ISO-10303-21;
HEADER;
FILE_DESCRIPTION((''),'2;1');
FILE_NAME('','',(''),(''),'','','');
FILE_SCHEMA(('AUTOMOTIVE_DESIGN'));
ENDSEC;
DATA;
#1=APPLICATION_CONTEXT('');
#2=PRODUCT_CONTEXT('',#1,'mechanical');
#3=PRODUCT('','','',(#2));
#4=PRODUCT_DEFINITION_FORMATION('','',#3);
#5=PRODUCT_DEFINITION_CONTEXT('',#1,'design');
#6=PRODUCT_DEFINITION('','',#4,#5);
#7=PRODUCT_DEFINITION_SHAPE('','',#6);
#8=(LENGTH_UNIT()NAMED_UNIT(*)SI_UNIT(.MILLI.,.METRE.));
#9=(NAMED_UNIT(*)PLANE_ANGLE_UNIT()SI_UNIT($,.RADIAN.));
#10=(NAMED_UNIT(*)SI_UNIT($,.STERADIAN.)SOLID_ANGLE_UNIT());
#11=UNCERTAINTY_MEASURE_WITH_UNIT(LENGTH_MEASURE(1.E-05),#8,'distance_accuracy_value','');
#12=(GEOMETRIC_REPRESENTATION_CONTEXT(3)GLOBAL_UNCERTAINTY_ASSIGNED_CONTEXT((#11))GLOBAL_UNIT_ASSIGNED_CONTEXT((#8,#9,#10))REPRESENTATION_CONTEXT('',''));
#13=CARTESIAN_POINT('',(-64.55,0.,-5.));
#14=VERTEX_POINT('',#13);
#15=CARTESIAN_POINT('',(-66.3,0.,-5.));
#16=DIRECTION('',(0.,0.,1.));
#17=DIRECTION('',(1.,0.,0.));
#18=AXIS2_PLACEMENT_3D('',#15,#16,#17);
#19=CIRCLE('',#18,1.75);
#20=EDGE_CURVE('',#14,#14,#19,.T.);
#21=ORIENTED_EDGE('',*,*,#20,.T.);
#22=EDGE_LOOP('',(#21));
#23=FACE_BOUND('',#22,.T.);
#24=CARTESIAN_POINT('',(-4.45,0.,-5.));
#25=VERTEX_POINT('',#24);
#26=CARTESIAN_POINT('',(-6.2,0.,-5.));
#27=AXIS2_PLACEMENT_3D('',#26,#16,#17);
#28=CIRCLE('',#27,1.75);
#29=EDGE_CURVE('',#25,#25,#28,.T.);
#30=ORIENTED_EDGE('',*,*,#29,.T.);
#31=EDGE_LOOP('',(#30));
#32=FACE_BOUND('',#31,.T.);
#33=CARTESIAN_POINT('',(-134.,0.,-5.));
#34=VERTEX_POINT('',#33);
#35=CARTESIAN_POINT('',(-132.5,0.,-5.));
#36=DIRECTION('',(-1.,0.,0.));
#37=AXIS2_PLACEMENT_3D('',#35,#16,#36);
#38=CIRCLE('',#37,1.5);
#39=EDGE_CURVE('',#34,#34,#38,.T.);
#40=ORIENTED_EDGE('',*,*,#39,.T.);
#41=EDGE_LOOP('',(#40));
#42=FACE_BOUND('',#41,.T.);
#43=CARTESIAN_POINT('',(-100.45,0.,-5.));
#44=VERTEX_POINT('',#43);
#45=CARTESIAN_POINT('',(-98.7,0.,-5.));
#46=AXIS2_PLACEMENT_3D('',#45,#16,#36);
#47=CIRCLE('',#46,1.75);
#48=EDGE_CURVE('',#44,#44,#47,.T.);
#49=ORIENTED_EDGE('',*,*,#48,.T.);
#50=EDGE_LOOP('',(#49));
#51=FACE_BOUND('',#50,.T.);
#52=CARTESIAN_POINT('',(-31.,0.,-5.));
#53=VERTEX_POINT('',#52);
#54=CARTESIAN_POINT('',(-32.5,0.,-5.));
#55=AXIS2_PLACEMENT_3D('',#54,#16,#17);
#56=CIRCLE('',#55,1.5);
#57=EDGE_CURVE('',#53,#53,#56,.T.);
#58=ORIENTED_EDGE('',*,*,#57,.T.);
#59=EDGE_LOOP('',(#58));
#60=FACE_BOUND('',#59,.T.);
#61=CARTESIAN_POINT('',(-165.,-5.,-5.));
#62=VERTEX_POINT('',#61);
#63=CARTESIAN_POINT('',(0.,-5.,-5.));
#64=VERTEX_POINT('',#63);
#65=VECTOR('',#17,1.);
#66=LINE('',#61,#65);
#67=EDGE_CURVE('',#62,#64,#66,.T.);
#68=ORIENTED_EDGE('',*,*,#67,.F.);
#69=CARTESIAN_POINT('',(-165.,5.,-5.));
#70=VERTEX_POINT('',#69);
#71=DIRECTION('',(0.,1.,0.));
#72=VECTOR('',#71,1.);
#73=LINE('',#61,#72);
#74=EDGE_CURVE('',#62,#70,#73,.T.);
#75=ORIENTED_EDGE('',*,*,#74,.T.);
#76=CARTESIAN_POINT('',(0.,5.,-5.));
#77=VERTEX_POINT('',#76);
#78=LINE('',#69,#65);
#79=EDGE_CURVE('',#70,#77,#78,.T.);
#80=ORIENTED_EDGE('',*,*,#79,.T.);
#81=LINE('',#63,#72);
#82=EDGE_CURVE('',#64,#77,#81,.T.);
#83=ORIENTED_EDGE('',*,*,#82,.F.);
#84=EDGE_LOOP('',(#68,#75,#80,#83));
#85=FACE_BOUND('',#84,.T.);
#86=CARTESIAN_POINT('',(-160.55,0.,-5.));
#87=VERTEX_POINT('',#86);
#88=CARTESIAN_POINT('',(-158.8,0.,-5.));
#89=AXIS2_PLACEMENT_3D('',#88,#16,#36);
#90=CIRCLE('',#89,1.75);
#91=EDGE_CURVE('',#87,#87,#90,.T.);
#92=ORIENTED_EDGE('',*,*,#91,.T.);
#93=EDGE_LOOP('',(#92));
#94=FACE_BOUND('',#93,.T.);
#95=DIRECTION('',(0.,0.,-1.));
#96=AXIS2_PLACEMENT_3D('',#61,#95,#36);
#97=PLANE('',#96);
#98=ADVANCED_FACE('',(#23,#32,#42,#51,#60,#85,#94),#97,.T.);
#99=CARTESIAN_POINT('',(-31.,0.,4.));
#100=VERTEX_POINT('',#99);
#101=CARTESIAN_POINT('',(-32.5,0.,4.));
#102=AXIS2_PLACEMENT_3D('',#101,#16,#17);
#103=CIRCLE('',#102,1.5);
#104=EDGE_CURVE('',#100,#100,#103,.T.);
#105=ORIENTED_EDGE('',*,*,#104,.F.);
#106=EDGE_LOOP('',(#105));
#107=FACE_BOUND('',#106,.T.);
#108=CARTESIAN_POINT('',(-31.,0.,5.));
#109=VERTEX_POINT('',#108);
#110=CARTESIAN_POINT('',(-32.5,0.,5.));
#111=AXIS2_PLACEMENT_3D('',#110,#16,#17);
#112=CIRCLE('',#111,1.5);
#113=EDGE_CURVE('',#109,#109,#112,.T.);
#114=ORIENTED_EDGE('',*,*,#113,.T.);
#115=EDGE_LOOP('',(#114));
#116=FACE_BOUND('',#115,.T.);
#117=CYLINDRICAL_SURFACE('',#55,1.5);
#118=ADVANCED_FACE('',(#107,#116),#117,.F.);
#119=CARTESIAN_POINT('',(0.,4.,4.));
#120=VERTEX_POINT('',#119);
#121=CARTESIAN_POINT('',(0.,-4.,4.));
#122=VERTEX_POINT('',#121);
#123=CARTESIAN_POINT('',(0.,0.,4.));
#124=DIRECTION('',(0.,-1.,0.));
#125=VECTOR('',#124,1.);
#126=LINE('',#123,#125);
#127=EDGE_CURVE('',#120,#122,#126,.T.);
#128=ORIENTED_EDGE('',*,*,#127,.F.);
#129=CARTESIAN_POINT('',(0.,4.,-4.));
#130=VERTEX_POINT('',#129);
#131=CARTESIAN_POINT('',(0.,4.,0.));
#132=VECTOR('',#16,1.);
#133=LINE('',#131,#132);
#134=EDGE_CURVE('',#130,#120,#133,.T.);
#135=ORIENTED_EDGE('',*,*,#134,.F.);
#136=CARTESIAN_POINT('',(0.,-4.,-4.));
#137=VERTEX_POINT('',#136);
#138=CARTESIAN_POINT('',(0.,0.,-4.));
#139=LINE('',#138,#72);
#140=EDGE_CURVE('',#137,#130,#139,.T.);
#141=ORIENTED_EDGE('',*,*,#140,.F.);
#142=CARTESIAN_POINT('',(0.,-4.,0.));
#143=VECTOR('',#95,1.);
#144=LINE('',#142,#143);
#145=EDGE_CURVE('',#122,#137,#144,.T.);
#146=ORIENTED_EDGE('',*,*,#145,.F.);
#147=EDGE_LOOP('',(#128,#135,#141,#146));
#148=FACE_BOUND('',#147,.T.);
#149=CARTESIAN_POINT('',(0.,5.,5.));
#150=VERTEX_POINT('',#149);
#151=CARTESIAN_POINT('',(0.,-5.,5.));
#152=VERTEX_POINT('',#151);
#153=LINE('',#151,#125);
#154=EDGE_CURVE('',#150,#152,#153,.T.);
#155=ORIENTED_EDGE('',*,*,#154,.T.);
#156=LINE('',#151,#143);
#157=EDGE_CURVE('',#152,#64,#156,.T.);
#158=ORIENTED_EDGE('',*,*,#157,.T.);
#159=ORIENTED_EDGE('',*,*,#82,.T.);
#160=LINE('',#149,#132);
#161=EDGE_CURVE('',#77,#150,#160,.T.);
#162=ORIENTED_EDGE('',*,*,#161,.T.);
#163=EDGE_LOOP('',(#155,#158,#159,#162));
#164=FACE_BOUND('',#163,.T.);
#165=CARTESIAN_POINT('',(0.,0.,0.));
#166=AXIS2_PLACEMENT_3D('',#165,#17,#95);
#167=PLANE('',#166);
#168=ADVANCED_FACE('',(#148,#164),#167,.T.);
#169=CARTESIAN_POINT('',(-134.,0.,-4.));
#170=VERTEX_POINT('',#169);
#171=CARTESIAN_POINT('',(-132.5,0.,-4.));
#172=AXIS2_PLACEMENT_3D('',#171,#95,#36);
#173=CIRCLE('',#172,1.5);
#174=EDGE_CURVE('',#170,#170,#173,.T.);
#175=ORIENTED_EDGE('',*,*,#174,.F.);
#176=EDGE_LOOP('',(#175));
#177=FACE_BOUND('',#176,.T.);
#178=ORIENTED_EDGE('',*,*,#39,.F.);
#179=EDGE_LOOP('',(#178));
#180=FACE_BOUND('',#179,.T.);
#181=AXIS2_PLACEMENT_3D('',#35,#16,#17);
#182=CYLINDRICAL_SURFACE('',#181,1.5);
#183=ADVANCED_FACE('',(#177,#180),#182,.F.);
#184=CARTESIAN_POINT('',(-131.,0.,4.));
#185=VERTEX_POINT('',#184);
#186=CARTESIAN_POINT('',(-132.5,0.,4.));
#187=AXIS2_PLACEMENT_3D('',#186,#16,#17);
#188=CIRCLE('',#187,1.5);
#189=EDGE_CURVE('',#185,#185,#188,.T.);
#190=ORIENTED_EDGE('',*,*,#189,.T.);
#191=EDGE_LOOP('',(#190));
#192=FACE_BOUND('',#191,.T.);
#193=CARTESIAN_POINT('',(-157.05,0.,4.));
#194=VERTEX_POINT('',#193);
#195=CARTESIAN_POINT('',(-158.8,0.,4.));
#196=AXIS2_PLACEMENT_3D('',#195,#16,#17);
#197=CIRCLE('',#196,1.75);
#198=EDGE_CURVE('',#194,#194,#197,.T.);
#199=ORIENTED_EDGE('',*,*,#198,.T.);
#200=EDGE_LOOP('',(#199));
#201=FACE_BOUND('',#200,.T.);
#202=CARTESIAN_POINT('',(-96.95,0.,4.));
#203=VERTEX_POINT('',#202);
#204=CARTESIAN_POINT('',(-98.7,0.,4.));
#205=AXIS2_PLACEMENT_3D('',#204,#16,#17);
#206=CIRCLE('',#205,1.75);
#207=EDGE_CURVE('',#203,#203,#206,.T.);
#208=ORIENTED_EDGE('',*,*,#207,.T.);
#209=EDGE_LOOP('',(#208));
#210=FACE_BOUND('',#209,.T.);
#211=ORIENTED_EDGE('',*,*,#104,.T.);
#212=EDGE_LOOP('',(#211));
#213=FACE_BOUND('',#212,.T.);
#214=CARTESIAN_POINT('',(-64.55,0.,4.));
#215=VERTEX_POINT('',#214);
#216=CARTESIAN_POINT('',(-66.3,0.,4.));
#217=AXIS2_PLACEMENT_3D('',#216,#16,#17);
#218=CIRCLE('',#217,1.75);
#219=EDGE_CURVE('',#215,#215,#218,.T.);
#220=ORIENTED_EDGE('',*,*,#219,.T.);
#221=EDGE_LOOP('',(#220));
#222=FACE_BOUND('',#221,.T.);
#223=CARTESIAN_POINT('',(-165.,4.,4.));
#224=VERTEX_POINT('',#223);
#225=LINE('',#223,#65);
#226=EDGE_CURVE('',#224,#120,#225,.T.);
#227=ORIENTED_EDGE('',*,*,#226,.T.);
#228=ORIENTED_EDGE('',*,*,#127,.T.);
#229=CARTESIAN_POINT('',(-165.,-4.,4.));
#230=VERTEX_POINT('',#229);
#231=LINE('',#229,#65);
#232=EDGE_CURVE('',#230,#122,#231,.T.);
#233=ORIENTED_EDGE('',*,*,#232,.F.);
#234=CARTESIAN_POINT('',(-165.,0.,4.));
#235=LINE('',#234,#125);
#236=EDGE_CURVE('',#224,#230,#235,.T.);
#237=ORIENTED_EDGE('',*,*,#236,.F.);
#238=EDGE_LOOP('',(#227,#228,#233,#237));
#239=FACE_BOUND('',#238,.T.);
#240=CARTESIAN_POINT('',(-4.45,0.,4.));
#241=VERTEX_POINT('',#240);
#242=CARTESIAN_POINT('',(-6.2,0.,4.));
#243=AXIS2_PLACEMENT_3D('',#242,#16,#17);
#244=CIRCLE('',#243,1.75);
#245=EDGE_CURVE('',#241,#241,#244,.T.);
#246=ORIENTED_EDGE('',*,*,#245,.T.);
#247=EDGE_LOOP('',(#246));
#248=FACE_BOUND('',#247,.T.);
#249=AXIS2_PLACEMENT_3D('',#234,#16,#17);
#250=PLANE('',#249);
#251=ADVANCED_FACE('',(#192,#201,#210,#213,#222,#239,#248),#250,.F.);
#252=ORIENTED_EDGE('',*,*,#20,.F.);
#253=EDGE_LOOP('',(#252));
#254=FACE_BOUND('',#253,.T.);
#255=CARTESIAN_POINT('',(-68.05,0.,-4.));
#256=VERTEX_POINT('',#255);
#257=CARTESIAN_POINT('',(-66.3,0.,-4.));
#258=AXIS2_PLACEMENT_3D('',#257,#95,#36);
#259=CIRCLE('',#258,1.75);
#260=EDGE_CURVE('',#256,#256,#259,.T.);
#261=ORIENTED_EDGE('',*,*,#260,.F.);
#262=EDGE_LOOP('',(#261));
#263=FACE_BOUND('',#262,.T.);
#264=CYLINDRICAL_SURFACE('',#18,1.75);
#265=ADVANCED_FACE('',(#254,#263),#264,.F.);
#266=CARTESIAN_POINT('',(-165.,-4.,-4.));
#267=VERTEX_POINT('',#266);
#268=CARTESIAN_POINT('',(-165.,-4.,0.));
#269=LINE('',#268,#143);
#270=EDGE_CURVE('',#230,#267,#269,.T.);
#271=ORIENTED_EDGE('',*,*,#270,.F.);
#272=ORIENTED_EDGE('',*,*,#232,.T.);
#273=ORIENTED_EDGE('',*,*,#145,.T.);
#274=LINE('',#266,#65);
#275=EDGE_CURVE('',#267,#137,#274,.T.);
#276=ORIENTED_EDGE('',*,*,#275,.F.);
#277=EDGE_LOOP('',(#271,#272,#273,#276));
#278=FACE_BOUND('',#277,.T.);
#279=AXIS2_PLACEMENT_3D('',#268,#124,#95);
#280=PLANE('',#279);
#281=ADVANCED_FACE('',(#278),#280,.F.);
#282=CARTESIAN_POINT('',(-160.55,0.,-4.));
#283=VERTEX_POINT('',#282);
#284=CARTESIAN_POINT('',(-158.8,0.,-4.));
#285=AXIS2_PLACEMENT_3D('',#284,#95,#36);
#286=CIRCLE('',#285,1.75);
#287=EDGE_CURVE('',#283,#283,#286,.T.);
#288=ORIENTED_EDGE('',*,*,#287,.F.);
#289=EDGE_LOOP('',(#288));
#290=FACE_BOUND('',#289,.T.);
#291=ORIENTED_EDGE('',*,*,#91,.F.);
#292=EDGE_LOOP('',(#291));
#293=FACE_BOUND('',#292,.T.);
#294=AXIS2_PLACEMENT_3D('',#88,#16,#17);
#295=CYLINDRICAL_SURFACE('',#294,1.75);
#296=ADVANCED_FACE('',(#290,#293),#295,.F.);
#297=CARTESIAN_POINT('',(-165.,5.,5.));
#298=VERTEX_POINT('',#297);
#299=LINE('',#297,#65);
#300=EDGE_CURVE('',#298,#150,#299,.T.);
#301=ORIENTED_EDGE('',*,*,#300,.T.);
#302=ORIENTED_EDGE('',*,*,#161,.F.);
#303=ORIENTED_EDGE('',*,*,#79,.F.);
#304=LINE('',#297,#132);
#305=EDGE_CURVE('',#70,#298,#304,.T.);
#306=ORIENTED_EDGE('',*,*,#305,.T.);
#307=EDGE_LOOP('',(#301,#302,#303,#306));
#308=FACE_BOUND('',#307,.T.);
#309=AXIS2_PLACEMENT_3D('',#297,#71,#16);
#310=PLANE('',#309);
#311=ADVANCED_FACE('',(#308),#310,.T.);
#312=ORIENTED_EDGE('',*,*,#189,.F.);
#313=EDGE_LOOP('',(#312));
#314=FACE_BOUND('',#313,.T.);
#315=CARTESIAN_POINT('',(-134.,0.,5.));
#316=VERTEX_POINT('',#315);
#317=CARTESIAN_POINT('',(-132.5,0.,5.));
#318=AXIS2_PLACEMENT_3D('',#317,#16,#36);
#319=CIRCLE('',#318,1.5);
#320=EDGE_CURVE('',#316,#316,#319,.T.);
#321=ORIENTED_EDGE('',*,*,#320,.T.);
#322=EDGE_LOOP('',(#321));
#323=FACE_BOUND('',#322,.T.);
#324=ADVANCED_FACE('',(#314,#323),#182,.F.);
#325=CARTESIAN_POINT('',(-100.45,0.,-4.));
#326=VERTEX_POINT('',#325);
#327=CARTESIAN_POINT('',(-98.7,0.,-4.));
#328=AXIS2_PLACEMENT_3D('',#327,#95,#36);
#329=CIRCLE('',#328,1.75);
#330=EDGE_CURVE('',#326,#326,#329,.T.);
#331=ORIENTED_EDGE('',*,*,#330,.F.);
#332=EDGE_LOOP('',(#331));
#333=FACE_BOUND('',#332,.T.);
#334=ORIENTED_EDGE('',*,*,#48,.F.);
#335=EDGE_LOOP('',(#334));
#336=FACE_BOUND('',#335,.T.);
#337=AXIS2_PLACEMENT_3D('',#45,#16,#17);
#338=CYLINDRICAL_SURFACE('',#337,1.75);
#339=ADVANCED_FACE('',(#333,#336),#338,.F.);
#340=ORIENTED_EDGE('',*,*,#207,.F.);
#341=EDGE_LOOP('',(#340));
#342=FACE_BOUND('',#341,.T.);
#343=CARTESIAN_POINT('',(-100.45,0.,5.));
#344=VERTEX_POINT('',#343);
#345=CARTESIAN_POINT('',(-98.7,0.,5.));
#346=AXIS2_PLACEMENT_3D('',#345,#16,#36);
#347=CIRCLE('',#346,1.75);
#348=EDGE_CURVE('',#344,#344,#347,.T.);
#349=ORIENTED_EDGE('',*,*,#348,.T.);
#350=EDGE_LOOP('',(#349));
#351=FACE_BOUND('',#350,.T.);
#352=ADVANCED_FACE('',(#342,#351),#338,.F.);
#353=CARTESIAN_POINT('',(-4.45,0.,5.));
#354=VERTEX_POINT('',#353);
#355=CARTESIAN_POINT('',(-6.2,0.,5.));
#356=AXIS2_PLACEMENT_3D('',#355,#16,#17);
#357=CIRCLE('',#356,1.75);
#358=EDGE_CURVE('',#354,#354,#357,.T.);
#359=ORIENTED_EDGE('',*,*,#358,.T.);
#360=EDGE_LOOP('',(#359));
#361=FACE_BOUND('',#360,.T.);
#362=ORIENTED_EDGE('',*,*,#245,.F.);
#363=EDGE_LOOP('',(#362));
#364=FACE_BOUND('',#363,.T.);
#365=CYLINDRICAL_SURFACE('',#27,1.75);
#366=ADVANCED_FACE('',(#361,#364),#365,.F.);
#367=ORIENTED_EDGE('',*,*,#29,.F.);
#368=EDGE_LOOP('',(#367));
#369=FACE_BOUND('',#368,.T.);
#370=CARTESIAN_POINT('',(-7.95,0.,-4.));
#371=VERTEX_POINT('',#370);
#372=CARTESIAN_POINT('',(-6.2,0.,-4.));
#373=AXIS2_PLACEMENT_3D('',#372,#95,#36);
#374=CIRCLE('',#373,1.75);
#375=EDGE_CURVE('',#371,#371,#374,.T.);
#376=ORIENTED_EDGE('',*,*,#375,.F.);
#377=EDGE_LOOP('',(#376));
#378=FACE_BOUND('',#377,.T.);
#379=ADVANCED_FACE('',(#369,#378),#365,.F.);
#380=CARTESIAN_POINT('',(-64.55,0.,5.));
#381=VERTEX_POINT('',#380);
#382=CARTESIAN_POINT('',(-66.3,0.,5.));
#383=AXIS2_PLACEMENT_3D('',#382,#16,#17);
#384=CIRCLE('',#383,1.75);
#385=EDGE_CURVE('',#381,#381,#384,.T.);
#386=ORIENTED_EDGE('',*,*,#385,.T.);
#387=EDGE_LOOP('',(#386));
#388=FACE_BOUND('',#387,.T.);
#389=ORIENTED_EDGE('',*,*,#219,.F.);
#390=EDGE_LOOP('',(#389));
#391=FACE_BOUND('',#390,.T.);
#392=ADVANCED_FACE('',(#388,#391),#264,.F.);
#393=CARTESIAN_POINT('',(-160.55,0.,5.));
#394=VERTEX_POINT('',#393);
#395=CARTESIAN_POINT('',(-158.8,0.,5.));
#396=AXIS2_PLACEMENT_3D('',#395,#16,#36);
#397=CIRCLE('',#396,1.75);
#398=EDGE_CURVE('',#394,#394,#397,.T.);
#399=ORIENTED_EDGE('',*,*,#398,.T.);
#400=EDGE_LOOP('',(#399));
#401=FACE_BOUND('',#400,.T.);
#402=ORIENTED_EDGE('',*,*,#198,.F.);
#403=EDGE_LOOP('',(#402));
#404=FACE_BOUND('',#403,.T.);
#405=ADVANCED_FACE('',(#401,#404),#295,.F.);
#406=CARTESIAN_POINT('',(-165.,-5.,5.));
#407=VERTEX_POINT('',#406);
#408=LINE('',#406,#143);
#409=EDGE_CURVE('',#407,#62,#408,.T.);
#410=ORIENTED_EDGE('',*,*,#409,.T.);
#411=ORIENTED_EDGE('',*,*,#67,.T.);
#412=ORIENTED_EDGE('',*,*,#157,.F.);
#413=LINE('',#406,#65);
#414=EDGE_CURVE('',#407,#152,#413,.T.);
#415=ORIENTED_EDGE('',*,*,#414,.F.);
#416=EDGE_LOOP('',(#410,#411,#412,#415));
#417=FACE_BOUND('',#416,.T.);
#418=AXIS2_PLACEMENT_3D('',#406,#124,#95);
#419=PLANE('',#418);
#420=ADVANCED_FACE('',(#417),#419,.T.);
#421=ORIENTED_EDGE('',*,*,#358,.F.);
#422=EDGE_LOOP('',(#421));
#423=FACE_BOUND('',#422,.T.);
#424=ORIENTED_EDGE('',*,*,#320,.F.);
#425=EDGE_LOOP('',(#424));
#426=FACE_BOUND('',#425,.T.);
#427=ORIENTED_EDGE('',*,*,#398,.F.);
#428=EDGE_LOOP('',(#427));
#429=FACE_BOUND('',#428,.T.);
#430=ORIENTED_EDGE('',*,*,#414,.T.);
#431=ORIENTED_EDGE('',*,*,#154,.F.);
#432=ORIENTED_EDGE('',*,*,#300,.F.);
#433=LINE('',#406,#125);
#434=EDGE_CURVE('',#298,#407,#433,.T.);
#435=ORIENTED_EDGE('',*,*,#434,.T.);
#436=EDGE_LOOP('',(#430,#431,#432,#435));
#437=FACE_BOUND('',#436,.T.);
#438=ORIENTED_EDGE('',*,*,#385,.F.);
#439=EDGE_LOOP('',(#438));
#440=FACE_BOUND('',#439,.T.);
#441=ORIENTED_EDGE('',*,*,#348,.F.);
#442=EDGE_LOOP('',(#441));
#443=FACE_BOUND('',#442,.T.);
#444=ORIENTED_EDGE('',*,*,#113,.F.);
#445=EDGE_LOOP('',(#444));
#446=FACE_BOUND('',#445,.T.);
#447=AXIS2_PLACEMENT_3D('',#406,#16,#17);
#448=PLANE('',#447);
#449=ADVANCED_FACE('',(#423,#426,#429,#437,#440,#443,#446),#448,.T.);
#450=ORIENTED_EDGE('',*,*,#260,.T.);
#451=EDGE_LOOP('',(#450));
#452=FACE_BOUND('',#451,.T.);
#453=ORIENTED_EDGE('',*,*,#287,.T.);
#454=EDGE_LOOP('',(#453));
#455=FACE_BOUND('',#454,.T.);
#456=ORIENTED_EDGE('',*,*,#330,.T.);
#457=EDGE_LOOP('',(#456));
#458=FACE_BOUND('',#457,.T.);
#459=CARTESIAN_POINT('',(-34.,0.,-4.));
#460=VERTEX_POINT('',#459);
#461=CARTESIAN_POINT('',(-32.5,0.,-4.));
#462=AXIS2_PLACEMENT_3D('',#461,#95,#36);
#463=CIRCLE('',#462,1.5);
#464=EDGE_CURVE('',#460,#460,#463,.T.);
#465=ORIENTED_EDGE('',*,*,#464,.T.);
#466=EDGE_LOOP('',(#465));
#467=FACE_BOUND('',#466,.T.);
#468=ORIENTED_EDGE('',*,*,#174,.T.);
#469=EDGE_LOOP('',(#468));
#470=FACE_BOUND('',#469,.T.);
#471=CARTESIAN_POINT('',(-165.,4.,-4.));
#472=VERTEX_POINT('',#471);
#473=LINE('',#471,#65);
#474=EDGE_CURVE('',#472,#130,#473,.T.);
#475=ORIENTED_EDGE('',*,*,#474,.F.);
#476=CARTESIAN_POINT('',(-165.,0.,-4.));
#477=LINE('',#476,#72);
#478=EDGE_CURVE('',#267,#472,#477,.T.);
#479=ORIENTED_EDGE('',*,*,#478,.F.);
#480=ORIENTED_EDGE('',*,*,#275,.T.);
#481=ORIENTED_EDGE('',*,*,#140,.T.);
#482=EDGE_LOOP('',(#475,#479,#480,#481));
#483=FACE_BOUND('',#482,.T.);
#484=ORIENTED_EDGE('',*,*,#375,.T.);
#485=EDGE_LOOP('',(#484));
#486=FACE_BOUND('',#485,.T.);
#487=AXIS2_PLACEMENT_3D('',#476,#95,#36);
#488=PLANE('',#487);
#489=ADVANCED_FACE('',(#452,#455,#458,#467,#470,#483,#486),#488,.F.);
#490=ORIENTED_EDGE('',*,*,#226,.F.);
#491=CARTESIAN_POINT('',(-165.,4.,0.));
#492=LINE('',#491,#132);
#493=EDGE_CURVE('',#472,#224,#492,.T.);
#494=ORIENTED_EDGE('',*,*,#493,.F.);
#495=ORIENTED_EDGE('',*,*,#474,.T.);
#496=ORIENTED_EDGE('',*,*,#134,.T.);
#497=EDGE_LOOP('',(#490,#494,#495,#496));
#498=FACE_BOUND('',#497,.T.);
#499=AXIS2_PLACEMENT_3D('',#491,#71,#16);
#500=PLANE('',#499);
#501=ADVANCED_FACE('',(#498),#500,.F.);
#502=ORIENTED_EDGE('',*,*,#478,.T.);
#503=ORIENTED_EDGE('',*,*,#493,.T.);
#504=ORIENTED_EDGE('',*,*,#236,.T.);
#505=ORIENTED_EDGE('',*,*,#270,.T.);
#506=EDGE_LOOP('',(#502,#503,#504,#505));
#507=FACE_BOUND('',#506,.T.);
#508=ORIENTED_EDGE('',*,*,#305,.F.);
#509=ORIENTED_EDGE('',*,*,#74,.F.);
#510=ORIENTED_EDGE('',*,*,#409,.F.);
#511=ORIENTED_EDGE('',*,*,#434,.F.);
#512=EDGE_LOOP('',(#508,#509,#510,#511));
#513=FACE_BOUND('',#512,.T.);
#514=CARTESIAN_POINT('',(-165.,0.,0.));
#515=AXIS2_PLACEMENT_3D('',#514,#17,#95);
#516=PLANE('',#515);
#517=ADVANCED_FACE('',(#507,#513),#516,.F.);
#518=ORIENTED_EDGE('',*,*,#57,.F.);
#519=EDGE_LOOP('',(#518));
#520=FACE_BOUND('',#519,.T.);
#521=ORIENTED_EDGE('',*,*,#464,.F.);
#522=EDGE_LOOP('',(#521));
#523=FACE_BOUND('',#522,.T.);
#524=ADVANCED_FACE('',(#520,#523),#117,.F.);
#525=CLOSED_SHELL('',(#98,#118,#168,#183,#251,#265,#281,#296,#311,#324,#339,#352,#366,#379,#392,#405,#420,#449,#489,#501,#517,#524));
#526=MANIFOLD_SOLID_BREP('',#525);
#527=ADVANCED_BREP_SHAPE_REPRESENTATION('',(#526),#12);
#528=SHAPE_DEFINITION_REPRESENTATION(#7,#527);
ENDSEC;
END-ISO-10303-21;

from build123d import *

# Parameters (mm, degrees)
SKETCH_2_W          = 10
SKETCH_2_H          = 10
SKETCH_2_W_2        = 8
SKETCH_2_H_2        = 8
EXTRUDE_1_DEPTH     = 165
SKETCH_3_R          = 1.75
SKETCH_3_R_2        = 1.5
CUT_EXTRUDE_1_DEPTH = 11


with BuildPart() as part:
    # 草图2 → 拉伸-薄壁1 (new body)
    with BuildSketch(Plane(origin=(0, 0, 0), x_dir=(0, 0, -1), z_dir=(1, 0, 0))):
        Rectangle(SKETCH_2_W, SKETCH_2_H)
        Rectangle(SKETCH_2_W_2, SKETCH_2_H_2, mode=Mode.SUBTRACT)
    extrude(amount=-EXTRUDE_1_DEPTH)

    # 草图3 → 切除-拉伸1 (cut, through all)
    with BuildSketch(Plane.XY.offset(5)):
        with Locations((-6.2, 0)):
            Circle(SKETCH_3_R)
        with Locations((-158.8, 0)):
            Circle(SKETCH_3_R)
        with Locations((-32.5, 0)):
            Circle(SKETCH_3_R_2)
        with Locations((-132.5, 0)):
            Circle(SKETCH_3_R_2)
        with Locations((-66.3, 0)):
            Circle(SKETCH_3_R)
        with Locations((-98.7, 0)):
            Circle(SKETCH_3_R)
    extrude(amount=-CUT_EXTRUDE_1_DEPTH, mode=Mode.SUBTRACT)


solid = part.part
